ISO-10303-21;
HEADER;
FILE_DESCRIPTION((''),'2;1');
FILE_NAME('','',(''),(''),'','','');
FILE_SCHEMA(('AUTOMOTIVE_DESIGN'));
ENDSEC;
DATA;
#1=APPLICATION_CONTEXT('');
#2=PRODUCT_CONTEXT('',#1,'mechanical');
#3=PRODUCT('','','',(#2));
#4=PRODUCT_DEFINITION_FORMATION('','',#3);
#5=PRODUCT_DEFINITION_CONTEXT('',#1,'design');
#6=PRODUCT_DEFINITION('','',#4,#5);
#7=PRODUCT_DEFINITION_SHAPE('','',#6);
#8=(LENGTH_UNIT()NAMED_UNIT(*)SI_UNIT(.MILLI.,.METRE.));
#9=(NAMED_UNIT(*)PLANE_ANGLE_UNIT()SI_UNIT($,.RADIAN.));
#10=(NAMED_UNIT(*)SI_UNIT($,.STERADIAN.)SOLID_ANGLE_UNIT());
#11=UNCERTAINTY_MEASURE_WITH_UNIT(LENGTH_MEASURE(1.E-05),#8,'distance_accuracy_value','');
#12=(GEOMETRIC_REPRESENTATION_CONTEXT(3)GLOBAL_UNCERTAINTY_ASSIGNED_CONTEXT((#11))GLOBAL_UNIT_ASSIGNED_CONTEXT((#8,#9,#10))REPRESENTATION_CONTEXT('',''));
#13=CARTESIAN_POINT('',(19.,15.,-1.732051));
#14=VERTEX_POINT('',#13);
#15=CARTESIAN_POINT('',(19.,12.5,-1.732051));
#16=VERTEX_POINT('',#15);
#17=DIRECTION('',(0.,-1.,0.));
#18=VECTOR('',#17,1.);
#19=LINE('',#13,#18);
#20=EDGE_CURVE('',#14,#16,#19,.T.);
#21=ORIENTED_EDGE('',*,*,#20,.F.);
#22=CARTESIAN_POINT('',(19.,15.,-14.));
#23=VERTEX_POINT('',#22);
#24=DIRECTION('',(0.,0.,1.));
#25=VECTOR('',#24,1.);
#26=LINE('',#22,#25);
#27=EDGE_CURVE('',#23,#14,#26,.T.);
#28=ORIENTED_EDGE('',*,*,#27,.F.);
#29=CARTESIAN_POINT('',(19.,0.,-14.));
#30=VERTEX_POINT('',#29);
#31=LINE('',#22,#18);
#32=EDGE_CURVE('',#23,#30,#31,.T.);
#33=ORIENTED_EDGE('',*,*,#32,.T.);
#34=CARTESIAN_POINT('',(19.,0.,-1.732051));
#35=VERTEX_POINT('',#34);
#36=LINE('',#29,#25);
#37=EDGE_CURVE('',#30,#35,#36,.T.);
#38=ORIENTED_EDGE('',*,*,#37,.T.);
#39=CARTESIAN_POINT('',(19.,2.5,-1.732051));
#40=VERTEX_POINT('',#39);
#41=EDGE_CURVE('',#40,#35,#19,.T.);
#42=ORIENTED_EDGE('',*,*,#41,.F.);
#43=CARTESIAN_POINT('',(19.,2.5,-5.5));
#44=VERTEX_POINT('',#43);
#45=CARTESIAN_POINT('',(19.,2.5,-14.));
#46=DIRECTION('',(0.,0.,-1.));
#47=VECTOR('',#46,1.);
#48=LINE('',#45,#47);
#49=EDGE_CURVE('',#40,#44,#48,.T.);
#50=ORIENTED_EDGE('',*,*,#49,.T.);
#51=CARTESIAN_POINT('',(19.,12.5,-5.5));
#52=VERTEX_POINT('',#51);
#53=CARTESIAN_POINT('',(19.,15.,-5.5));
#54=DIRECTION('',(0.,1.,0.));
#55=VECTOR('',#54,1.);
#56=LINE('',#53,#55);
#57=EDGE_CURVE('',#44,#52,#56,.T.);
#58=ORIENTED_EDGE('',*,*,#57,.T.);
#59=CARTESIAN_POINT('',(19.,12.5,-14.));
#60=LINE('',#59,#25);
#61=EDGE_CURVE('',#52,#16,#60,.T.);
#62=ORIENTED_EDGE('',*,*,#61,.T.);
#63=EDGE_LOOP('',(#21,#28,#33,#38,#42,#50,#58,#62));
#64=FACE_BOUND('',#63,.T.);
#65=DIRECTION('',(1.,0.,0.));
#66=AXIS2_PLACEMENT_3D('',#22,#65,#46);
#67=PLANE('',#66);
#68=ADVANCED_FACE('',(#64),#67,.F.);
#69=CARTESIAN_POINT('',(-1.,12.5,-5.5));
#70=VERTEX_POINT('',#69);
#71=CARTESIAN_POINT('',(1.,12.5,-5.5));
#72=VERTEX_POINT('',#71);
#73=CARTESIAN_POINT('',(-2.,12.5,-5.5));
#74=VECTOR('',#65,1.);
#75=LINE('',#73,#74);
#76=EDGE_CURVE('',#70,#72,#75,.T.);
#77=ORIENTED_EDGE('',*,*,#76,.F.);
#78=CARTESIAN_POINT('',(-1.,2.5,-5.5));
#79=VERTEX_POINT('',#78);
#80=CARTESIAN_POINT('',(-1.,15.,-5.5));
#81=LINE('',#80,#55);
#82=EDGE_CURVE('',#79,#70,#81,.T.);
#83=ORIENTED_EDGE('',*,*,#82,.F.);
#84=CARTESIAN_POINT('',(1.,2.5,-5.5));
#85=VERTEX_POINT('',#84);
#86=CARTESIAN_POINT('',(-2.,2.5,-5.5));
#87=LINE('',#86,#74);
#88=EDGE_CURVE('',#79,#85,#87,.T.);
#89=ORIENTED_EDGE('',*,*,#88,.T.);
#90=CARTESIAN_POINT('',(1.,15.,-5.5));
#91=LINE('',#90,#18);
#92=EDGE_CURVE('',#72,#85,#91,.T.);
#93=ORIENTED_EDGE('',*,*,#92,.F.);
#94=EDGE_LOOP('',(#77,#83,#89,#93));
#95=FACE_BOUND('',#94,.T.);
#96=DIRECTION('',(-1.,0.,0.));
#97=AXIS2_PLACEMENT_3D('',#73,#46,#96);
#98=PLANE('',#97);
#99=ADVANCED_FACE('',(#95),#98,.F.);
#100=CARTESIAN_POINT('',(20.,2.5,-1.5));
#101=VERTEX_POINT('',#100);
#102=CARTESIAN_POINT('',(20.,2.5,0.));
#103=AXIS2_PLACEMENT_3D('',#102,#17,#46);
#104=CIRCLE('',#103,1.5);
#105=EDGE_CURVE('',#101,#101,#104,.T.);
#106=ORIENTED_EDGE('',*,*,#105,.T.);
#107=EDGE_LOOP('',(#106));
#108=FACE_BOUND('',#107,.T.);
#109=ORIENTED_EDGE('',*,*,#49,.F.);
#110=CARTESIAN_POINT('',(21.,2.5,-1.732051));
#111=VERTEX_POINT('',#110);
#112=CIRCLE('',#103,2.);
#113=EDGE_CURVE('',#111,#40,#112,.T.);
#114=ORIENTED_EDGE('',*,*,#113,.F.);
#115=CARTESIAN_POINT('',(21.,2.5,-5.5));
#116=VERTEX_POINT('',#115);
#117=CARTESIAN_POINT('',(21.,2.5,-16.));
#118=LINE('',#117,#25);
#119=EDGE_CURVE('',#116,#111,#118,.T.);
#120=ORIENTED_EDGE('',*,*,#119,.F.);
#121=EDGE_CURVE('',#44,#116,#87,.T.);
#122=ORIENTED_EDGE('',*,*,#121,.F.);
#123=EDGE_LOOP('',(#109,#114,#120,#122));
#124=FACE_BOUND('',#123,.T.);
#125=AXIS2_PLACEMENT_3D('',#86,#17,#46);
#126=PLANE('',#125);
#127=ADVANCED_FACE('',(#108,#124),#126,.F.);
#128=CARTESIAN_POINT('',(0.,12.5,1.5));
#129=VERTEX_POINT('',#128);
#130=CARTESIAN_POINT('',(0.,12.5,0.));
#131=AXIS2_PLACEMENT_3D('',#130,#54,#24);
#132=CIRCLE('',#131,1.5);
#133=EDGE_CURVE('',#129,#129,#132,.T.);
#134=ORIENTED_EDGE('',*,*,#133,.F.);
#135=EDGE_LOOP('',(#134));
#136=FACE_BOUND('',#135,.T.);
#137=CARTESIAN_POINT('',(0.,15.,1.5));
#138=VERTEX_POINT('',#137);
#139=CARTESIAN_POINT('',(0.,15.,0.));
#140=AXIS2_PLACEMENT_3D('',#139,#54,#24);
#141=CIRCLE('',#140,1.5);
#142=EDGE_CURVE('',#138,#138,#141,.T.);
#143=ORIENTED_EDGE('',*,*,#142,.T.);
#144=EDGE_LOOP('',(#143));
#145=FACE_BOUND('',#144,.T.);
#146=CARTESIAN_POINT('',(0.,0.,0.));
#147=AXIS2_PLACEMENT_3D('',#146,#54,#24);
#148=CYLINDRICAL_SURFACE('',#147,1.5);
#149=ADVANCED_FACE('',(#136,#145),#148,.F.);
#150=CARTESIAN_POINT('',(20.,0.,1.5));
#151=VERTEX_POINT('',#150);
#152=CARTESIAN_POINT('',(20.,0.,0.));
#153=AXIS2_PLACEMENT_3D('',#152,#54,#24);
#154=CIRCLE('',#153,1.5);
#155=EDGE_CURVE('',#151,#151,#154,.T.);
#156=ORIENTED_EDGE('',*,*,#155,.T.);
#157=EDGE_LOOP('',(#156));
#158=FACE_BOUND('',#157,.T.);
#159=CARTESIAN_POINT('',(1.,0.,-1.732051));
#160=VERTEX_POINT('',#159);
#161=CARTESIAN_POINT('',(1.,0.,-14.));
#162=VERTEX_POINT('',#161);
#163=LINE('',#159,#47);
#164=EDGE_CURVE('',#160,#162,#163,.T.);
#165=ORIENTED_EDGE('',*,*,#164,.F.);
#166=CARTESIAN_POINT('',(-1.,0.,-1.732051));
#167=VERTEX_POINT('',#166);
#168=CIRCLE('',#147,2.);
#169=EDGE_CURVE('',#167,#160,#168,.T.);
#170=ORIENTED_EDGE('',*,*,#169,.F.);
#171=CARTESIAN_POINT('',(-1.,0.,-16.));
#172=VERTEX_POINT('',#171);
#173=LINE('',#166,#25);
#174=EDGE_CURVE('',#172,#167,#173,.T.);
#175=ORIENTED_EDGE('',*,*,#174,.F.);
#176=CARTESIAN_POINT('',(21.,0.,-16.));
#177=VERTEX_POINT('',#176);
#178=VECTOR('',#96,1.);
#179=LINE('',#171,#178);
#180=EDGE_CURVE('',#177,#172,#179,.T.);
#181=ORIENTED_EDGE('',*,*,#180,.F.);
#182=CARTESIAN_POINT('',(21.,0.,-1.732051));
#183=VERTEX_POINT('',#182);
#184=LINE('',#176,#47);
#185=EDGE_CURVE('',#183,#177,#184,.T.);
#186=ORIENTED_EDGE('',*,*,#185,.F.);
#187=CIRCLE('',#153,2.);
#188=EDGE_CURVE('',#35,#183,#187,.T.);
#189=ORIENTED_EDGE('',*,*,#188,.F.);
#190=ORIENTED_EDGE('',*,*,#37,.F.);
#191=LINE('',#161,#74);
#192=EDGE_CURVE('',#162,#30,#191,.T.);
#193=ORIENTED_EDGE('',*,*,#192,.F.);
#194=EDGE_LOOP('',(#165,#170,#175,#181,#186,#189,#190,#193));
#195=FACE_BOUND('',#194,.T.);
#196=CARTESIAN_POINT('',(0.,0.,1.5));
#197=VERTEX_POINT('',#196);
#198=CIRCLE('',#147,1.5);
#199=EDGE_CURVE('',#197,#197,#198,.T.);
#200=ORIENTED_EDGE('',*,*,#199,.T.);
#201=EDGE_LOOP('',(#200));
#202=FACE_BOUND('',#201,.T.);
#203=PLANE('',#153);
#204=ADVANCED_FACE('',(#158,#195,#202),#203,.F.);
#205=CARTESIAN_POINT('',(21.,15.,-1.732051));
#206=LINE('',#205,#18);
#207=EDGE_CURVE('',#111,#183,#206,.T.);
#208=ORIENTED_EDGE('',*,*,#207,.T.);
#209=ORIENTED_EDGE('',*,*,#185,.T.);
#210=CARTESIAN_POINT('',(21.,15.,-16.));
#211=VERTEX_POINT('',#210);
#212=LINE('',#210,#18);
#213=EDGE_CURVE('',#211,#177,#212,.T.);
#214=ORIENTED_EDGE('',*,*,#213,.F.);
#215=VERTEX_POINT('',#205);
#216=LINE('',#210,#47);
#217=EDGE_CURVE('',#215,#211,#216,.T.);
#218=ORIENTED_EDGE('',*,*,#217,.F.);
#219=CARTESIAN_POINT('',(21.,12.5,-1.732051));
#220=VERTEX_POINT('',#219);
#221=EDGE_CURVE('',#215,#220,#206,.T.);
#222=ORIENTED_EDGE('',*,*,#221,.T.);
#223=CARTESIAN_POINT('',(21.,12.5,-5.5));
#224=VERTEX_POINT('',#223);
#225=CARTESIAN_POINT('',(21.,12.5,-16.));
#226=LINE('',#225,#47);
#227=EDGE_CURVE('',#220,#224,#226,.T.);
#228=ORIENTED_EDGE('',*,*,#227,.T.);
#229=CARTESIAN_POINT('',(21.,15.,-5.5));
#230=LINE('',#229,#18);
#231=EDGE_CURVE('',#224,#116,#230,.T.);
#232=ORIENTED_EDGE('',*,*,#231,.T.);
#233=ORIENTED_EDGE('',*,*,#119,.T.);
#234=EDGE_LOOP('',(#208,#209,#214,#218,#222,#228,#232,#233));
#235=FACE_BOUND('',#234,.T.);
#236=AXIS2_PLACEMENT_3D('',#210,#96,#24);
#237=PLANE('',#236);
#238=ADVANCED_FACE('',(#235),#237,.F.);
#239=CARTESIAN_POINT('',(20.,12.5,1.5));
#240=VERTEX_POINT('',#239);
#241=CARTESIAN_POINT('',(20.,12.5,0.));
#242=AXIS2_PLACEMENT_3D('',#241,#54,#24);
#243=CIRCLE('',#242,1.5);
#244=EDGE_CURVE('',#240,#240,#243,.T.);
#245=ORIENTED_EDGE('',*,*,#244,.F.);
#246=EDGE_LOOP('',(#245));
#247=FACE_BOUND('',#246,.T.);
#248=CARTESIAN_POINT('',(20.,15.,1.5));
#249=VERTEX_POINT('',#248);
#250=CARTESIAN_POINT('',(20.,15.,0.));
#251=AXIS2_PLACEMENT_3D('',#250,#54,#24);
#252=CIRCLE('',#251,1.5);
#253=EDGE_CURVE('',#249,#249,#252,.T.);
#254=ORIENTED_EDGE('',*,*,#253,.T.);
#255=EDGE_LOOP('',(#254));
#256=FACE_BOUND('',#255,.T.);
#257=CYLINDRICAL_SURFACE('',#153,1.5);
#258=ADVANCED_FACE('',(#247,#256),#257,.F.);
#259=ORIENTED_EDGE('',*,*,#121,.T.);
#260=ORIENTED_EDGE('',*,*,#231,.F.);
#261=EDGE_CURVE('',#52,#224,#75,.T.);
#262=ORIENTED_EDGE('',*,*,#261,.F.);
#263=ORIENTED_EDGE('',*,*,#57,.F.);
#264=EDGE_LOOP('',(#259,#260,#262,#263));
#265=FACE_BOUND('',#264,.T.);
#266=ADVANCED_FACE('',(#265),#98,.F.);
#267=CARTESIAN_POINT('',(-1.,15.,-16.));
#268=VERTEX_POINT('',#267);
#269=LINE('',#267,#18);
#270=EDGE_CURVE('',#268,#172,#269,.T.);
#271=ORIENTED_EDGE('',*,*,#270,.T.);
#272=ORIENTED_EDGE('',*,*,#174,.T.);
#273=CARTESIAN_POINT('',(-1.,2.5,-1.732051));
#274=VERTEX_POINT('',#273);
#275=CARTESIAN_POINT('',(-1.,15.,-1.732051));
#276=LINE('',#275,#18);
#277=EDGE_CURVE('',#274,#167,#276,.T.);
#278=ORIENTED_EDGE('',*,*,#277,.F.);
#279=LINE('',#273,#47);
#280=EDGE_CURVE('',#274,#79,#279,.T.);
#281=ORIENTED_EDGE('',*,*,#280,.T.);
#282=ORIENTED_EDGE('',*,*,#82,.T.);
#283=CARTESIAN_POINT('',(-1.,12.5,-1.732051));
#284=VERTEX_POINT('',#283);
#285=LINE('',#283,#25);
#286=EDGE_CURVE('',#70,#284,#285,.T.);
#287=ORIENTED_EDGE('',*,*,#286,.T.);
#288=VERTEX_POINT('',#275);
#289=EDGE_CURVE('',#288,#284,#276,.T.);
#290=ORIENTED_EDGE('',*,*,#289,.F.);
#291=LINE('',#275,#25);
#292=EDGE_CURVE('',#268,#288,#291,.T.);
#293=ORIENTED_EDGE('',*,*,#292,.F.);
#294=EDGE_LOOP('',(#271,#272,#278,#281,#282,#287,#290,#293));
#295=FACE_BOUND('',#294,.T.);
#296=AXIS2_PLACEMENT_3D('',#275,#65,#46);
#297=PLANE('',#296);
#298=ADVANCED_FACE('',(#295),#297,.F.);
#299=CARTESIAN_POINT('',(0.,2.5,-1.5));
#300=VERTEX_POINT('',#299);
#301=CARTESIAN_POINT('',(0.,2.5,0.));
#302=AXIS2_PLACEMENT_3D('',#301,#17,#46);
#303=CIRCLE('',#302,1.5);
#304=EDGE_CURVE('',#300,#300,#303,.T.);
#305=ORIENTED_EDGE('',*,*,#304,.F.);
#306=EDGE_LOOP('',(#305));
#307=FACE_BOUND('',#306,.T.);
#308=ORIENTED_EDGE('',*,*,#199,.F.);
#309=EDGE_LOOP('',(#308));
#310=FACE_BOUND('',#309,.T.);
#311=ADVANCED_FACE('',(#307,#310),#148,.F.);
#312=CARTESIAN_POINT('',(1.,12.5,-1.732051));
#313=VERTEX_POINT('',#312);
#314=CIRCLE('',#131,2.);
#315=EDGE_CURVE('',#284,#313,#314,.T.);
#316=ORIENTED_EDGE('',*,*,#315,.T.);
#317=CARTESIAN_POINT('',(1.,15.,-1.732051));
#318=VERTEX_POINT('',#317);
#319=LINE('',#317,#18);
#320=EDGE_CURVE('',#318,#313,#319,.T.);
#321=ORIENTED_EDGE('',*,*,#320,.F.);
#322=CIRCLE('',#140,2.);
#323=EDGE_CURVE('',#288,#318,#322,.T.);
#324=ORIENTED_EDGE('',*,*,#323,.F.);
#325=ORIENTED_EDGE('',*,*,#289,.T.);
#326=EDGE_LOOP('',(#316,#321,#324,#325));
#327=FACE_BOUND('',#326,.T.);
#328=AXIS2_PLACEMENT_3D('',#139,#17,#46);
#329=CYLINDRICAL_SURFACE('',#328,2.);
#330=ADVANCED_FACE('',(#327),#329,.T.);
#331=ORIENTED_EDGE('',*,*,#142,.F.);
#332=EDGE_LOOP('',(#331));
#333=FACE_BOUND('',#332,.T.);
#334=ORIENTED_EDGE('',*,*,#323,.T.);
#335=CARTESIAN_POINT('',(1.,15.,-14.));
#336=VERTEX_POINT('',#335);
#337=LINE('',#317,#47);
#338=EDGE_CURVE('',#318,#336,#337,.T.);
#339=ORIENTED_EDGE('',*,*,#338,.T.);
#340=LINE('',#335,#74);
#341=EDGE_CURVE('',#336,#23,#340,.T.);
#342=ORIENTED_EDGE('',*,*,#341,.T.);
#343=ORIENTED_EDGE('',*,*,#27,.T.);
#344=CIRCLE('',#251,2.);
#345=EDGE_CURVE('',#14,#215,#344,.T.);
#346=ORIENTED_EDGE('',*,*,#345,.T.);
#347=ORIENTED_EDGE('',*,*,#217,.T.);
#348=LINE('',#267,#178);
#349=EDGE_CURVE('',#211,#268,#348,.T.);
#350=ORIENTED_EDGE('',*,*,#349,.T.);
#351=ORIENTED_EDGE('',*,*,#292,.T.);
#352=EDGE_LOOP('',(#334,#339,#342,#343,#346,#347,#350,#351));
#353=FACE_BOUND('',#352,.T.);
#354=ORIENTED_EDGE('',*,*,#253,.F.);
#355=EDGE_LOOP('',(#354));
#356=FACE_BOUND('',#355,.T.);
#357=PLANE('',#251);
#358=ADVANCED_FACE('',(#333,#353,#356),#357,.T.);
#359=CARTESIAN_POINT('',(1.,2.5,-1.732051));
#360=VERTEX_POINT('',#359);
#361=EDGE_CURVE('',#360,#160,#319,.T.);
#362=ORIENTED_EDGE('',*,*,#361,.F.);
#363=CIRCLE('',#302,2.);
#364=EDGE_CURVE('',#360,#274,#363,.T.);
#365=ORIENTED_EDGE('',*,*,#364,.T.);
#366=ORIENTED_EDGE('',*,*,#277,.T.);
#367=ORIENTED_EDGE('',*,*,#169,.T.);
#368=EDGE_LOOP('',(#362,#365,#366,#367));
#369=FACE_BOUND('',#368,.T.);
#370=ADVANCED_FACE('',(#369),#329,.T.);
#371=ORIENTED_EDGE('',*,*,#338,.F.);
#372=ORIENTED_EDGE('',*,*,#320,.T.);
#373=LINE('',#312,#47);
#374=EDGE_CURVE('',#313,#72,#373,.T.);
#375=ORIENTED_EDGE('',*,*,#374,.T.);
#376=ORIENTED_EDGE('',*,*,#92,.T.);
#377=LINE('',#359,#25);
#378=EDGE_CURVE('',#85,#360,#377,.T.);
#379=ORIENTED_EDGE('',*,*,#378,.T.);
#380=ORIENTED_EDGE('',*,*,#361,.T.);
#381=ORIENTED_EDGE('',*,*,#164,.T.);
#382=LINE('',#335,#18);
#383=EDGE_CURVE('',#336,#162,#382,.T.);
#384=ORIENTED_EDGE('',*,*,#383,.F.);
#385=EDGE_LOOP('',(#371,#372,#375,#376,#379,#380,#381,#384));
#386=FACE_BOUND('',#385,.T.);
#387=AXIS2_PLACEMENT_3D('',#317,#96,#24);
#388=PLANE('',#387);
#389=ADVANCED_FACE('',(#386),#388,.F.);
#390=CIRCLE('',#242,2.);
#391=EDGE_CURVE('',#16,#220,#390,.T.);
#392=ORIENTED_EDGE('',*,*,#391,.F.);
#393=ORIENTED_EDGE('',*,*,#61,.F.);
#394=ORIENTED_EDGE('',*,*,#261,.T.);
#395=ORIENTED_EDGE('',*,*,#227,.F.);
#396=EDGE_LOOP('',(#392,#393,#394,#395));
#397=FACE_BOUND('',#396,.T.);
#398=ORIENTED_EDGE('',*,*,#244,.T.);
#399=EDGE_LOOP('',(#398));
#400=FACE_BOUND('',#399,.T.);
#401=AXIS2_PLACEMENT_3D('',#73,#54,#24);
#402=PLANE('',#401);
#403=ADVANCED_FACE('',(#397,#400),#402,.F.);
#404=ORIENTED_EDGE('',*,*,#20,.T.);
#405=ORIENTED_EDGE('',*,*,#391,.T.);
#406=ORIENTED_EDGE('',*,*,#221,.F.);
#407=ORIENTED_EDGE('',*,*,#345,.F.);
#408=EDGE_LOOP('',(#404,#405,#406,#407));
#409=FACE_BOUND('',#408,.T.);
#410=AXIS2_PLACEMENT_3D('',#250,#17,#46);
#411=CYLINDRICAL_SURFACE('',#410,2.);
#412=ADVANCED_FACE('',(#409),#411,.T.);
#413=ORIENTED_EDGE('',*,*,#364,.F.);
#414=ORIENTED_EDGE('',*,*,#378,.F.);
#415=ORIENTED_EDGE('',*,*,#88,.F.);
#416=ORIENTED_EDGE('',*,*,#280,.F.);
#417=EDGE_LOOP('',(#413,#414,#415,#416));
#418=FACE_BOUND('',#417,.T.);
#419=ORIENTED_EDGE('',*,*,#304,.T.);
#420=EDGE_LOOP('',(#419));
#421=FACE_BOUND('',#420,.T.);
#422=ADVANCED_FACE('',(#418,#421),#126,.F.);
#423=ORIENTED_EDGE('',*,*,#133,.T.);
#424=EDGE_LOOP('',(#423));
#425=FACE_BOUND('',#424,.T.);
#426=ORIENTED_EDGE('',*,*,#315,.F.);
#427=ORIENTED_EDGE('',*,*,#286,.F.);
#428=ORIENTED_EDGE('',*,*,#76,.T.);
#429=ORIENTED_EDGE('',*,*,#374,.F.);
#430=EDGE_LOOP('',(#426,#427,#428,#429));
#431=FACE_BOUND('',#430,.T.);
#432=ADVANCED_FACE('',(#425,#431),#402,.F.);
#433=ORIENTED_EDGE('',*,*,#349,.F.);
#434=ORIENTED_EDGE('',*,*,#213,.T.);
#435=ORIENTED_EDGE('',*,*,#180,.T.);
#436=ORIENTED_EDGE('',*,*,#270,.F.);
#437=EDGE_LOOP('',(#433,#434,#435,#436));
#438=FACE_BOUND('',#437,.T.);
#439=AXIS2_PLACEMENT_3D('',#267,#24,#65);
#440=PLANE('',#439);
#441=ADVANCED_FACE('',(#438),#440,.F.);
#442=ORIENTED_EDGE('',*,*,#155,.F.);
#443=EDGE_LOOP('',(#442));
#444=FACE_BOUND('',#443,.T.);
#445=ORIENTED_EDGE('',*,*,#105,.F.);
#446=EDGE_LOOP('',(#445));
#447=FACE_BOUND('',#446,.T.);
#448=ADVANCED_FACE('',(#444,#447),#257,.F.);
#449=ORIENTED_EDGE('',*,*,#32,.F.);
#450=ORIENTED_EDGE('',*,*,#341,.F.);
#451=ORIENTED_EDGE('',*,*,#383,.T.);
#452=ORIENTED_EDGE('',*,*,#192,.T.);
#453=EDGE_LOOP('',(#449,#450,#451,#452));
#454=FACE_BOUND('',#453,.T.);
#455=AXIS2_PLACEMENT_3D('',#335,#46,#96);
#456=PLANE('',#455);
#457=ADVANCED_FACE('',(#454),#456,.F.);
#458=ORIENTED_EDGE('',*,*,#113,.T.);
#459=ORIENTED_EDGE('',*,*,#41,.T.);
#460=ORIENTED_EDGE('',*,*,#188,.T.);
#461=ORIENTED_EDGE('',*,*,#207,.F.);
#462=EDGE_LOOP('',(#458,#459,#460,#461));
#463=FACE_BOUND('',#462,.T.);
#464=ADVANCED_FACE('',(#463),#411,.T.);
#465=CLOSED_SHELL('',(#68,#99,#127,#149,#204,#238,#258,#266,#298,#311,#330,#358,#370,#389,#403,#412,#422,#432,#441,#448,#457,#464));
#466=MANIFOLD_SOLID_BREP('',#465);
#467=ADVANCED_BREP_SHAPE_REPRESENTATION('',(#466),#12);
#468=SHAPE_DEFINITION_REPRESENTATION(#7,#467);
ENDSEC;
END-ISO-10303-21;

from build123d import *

# Parameters (mm, degrees)
BOSS_EXTRUDE1_DEPTH     = 15
CUT_EXTRUDE1_DEPTH      = 32.064449134
CUT_EXTRUDE1_DEPTH_BACK = 32.064449134
SKETCH2_W               = 7.5
SKETCH2_H               = 10
SKETCH3_R               = 1.5
CUT_EXTRUDE2_DEPTH      = 32.064449134


with BuildPart() as part:
    # Sketch1 → Boss-Extrude1 (new body)
    with BuildSketch(Plane(origin=(0, 0, 0), x_dir=(1, 0, 0), z_dir=(0, 1, 0))):
        with BuildLine():
            Line((1, 1.732050808), (1, 14))
            Line((1, 14), (19, 14))
            Line((19, 14), (19, 1.732050808))
            ThreePointArc((19, 1.732050808), (20, -2), (21, 1.732050808))
            Line((21, 1.732050808), (21, 16))
            Line((21, 16), (-1, 16))
            Line((-1, 16), (-1, 1.732050808))
            ThreePointArc((-1, 1.732050808), (0, -2), (1, 1.732050808))
        make_face()
    extrude(amount=BOSS_EXTRUDE1_DEPTH)

    # Sketch2 → Cut-Extrude1 (cut, two sides: drawn at the far end of the back side and taken through both)
    with BuildSketch(Plane(origin=(0, 0, 0), x_dir=(0, 0, -1), z_dir=(1, 0, 0)).offset(-CUT_EXTRUDE1_DEPTH_BACK)):
        with Locations((1.75, 7.5)):
            Rectangle(SKETCH2_W, SKETCH2_H)
    extrude(amount=CUT_EXTRUDE1_DEPTH + CUT_EXTRUDE1_DEPTH_BACK, mode=Mode.SUBTRACT)

    # Sketch3 → Cut-Extrude2 (cut, through all)
    with BuildSketch(Plane(origin=(0, 15, 0), x_dir=(1, 0, 0), z_dir=(0, 1, 0))):
        with Locations(Location((0, 0, 0), (0, 0, 270))):
            Circle(SKETCH3_R)
        with Locations(Location((20, 0, 0), (0, 0, 270))):
            Circle(SKETCH3_R)
    extrude(amount=-CUT_EXTRUDE2_DEPTH, mode=Mode.SUBTRACT)


solid = part.part
